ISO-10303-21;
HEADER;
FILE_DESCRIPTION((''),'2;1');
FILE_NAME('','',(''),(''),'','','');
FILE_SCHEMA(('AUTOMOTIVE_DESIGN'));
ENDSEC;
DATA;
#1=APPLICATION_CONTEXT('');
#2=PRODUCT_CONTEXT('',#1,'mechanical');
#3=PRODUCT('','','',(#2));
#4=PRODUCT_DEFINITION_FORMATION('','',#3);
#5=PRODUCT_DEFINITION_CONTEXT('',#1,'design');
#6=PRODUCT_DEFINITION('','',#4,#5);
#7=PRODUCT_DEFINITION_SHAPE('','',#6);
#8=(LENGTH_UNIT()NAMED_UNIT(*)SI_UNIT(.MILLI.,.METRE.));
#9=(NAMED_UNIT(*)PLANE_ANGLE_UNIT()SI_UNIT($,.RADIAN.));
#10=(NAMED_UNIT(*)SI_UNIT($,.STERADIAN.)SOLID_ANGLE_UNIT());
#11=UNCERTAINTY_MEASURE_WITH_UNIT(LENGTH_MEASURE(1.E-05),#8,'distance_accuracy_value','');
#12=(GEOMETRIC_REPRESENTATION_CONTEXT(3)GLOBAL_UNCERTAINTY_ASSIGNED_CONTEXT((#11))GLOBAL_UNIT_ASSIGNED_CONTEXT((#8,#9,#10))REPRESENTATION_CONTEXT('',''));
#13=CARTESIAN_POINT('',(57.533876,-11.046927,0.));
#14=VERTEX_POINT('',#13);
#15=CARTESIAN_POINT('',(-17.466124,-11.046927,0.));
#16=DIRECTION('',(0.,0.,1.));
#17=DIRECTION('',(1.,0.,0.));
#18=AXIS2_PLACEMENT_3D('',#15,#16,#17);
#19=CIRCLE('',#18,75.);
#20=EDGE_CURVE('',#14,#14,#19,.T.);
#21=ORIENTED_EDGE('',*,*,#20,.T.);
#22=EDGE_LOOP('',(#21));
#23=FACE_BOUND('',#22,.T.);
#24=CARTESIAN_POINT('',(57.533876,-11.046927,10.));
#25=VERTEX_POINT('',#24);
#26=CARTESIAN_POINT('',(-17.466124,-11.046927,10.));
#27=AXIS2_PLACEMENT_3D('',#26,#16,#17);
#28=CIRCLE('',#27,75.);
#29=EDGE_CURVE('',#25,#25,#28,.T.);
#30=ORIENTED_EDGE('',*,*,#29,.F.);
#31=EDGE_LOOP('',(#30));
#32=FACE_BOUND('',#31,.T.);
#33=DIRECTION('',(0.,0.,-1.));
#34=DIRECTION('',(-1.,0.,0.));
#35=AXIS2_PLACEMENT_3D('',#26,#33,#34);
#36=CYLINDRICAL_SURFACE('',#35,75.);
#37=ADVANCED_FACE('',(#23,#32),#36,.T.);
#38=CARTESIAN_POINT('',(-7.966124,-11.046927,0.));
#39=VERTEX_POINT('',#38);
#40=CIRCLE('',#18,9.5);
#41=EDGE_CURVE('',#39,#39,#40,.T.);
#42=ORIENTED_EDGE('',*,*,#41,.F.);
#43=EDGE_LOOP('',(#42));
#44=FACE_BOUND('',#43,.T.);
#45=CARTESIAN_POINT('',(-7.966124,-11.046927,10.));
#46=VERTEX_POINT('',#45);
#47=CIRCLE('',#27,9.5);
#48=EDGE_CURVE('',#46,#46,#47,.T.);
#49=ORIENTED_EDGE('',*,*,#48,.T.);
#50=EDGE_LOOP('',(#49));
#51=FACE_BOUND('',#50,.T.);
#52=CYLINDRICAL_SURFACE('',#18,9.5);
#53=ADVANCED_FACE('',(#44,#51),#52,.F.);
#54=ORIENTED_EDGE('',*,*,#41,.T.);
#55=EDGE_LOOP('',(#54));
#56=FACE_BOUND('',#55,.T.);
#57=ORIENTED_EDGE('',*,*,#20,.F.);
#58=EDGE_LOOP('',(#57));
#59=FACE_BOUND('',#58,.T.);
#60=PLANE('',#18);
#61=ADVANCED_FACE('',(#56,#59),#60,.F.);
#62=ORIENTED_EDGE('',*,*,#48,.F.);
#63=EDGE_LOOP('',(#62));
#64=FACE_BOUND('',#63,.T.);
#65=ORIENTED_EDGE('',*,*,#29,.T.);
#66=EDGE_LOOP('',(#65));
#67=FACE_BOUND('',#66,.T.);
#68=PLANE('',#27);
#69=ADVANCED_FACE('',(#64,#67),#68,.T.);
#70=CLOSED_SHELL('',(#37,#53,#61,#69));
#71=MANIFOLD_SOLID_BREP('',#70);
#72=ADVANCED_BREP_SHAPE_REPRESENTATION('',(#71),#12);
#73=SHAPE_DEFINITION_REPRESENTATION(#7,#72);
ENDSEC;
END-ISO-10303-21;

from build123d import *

# Parameters (mm, degrees)
SKETCH_1_R          = 75
EXTRUDE_3_DEPTH     = 10
SKETCH_2_R          = 9.5
CUT_EXTRUDE_1_DEPTH = 10


with BuildPart() as part:
    # 草图1 → 凸台-拉伸3 (new body)
    with BuildSketch(Plane.XY):
        with Locations((-17.46612366, -11.046926923)):
            Circle(SKETCH_1_R)
    extrude(amount=EXTRUDE_3_DEPTH)

    # 草图2 → 切除-拉伸1 (cut)
    with BuildSketch(Plane.XY.offset(10)):
        with Locations((-17.46612366, -11.046926923)):
            Circle(SKETCH_2_R)
    extrude(amount=-CUT_EXTRUDE_1_DEPTH, mode=Mode.SUBTRACT)


solid = part.part
